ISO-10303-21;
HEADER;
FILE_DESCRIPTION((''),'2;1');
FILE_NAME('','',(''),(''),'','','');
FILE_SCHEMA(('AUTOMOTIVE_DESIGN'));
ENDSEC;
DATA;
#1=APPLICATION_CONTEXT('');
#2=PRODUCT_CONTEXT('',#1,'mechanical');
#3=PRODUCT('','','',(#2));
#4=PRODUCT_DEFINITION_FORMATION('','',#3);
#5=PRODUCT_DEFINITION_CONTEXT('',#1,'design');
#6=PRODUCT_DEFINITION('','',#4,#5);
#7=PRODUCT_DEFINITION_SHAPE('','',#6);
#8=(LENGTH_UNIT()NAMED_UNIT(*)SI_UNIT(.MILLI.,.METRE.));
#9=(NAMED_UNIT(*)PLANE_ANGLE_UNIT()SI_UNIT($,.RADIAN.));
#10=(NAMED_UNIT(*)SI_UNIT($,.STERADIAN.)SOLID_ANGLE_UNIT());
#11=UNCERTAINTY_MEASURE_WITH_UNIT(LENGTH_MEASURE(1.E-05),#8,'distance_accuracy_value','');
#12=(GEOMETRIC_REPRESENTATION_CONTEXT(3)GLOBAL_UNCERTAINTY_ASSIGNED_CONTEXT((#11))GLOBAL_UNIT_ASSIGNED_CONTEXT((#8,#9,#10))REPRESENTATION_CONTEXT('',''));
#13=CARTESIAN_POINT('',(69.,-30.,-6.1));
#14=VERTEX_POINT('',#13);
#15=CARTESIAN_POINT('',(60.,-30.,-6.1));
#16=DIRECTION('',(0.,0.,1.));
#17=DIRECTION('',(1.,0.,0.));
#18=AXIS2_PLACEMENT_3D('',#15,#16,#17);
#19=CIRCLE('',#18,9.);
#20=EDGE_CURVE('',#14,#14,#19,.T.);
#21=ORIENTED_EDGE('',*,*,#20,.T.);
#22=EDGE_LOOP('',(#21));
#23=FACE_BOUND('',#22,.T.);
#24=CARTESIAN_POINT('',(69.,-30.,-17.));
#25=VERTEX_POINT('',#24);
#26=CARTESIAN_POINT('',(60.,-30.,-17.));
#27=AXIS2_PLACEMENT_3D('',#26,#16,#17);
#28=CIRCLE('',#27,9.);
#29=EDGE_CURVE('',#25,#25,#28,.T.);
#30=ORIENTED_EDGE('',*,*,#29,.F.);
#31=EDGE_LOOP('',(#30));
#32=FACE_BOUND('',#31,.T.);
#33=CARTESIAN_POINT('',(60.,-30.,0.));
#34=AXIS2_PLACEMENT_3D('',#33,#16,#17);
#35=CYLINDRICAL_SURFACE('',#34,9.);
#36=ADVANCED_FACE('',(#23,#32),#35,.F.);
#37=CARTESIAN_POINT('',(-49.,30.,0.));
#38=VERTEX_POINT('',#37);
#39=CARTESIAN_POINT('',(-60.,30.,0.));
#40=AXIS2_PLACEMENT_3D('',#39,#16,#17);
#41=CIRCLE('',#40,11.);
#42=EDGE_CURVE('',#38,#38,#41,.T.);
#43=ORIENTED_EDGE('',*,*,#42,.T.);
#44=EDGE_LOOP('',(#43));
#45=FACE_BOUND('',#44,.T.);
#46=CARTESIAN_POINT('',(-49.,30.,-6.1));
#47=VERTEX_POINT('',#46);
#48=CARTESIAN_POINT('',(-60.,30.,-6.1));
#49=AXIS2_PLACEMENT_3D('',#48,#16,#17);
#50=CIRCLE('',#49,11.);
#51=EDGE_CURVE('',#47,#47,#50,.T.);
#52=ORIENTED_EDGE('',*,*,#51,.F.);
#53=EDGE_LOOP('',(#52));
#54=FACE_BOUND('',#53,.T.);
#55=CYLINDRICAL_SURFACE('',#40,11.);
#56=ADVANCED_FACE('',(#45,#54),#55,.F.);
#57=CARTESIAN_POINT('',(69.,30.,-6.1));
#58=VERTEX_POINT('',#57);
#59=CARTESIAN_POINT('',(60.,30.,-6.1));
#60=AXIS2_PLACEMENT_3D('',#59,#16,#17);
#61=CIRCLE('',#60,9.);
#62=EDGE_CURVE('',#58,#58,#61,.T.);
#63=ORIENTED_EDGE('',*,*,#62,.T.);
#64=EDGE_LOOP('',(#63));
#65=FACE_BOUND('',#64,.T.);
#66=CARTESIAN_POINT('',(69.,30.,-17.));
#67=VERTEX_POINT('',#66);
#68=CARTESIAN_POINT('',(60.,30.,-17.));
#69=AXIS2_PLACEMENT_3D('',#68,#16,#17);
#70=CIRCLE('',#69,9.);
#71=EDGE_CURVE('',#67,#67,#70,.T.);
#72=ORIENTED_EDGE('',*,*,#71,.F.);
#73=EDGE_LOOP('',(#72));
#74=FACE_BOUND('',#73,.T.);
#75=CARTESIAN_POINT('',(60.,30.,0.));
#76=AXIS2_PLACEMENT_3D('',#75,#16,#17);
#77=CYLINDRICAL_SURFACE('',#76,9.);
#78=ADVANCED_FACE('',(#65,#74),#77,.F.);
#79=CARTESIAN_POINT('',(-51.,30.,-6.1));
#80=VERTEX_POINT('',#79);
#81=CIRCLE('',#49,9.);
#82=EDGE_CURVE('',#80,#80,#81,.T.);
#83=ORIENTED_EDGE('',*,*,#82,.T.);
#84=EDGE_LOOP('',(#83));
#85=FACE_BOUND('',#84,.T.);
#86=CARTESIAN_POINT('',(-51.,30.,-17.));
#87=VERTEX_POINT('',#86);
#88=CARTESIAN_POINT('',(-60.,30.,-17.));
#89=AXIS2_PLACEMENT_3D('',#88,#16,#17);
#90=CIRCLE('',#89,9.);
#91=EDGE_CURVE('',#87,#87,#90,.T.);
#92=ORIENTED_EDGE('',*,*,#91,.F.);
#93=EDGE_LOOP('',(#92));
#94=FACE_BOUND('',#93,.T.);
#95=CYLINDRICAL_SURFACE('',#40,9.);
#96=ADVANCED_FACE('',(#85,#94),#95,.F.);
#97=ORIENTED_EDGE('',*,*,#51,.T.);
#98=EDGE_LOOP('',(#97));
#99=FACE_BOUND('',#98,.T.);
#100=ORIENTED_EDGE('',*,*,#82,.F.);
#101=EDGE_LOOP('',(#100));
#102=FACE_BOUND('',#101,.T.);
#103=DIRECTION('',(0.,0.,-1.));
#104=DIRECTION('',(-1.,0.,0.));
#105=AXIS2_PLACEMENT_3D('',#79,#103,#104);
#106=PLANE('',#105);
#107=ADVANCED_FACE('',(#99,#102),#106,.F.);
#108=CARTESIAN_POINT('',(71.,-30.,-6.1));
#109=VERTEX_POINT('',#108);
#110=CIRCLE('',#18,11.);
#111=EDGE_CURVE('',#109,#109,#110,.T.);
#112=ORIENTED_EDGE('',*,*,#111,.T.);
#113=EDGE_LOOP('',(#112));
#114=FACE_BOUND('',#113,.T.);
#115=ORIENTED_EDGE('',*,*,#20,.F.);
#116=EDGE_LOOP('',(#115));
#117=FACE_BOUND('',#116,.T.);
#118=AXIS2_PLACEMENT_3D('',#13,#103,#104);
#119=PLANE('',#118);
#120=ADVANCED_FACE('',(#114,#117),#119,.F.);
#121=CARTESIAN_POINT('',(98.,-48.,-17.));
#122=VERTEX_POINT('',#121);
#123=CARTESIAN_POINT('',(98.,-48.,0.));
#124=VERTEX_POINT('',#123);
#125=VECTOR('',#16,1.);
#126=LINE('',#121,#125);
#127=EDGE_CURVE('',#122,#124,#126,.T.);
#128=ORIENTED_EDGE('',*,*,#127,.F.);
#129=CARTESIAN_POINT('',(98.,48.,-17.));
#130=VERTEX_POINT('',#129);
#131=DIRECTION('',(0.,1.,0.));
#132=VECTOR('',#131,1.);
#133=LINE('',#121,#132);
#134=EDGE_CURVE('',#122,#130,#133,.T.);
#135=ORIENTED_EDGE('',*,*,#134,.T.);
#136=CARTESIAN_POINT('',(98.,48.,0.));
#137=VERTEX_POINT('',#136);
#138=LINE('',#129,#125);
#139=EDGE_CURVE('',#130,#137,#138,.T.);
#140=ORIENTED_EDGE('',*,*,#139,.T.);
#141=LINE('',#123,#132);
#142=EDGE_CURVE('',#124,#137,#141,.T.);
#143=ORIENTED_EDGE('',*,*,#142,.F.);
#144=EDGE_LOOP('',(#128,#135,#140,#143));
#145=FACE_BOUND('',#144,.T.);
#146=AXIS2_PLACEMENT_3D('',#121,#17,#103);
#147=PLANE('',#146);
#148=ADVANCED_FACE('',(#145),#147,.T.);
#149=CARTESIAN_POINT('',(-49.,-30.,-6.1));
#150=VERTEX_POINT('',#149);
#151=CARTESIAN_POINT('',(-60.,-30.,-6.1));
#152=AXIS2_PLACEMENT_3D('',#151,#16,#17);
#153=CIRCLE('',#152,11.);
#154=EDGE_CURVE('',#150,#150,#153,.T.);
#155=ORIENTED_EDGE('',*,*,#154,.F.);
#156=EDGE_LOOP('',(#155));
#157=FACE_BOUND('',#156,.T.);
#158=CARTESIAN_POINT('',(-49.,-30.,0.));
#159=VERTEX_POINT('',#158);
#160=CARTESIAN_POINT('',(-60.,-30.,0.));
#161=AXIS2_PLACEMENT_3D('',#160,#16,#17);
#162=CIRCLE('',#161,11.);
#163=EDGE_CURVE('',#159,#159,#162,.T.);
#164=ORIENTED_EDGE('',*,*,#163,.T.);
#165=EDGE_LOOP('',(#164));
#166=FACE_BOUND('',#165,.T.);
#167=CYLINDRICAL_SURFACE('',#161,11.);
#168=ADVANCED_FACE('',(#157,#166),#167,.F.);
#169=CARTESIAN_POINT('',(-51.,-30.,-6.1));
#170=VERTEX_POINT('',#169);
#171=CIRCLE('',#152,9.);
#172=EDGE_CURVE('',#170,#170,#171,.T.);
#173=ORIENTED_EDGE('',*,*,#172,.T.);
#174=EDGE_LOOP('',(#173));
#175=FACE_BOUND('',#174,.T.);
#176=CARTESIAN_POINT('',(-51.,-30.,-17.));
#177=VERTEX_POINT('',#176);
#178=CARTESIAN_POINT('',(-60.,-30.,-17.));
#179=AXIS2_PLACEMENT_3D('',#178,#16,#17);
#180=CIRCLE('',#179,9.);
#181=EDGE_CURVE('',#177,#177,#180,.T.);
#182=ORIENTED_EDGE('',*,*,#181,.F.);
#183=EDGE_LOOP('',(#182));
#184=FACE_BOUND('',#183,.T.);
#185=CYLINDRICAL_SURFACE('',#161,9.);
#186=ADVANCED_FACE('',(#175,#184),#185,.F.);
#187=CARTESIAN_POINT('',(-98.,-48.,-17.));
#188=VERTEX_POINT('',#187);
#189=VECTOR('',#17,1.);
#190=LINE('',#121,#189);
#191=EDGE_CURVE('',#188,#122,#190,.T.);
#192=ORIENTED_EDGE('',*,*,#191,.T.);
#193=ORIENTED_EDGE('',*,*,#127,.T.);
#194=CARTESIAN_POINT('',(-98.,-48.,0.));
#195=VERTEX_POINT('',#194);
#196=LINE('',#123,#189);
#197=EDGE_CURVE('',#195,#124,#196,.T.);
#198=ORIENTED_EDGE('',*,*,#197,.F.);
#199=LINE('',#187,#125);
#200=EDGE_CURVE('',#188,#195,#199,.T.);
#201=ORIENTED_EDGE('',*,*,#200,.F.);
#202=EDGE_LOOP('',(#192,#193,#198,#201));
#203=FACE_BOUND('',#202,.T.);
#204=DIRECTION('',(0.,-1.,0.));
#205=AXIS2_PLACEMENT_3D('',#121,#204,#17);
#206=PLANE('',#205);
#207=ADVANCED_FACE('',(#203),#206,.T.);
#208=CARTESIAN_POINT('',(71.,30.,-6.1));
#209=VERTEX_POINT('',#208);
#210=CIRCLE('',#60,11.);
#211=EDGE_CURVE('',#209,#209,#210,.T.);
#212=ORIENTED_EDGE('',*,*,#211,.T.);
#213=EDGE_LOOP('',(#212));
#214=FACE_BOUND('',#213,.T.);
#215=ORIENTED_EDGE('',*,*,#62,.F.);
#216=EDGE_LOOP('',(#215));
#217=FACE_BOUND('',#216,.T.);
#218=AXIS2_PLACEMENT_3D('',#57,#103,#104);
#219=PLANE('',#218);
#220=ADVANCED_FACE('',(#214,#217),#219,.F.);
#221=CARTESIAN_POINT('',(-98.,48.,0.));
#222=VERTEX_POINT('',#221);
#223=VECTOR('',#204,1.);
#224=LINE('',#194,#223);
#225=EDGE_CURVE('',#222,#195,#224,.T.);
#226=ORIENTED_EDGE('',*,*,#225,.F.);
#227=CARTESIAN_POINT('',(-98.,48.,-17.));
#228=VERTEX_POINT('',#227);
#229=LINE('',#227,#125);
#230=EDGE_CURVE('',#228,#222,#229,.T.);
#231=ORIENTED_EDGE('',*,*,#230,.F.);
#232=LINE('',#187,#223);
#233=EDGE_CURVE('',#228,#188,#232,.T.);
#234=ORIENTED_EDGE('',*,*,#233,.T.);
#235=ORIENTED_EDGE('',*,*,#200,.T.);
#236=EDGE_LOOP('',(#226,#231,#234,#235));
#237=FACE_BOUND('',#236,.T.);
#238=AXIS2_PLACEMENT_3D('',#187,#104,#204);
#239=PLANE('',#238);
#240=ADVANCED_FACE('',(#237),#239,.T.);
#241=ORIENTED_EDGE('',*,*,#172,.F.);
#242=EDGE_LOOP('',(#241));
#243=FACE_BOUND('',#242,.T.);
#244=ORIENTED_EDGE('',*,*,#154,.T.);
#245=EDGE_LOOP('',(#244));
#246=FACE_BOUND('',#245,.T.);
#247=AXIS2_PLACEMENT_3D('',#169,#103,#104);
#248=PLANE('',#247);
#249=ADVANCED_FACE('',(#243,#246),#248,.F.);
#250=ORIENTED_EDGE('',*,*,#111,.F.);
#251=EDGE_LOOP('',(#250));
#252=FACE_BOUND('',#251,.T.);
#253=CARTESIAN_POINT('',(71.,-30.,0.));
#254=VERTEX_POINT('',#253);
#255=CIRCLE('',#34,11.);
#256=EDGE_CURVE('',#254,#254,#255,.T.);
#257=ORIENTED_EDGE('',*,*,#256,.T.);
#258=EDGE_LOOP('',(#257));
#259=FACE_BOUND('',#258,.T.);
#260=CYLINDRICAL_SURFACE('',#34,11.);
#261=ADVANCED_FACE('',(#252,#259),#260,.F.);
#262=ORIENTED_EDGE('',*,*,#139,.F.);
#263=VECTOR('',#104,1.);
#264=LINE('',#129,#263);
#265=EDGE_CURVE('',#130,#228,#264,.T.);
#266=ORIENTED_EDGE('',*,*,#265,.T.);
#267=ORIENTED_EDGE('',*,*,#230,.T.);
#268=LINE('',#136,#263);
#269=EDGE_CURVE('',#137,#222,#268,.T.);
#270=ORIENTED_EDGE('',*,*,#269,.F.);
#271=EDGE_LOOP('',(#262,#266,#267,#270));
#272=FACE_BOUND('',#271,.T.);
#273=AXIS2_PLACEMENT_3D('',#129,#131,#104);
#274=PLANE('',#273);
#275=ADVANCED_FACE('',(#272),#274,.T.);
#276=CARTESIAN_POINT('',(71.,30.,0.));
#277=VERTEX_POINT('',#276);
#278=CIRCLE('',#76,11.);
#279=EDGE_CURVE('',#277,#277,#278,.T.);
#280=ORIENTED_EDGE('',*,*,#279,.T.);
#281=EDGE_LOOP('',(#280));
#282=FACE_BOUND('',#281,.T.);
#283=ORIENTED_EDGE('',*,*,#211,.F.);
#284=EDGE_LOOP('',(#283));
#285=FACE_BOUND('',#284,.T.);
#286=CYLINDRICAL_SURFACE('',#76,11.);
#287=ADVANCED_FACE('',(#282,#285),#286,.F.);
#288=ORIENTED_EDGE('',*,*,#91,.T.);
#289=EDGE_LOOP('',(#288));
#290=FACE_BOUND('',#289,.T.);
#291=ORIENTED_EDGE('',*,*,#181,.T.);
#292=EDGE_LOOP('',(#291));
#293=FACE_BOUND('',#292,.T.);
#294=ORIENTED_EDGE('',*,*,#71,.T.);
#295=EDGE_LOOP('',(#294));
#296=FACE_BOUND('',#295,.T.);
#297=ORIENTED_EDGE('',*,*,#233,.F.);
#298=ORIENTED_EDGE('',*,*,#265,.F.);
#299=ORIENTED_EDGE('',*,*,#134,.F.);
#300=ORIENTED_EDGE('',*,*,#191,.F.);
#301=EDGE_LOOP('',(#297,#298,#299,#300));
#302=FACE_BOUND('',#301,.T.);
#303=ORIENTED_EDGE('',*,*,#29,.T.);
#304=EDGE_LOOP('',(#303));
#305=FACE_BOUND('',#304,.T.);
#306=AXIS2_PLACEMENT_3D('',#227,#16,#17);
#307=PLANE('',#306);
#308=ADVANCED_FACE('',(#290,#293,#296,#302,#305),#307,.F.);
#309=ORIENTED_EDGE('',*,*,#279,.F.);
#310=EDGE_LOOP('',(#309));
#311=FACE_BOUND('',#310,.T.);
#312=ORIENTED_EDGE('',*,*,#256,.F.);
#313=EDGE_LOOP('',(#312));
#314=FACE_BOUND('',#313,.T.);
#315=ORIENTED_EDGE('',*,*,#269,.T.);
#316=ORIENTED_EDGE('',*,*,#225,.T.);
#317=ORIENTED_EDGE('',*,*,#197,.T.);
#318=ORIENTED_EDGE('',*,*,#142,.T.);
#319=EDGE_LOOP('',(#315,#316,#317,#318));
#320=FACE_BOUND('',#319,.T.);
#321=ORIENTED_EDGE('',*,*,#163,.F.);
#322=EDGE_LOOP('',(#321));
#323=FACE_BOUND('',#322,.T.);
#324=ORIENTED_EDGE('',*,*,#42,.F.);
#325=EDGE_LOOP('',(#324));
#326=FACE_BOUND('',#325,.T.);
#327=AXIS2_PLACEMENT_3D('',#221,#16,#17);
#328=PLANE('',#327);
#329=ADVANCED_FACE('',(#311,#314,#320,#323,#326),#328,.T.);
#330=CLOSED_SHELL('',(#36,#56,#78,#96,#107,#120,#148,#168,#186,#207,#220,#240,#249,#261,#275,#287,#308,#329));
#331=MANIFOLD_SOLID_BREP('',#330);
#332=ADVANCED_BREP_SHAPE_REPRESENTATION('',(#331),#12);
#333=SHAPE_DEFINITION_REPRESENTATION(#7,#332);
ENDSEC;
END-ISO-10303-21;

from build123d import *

# Parameters (mm, degrees)
SKETCH1_W                                           = 196
SKETCH1_H                                           = 96
EXTRUDE1_DEPTH                                      = 17
CBORE_FOR_14_MM_LOCATING_GUIDE_BUSHING1_D           = 18
CBORE_FOR_14_MM_LOCATING_GUIDE_BUSHING1_CBORE_D     = 22
CBORE_FOR_14_MM_LOCATING_GUIDE_BUSHING1_CBORE_DEPTH = 6.1


with BuildPart() as part:
    # Sketch1 → Extrude1 (new body)
    with BuildSketch(Plane.XY):
        Rectangle(SKETCH1_W, SKETCH1_H)
    extrude(amount=-EXTRUDE1_DEPTH)

    # CBORE for 14 mm Locating Guide Bushing1 (through all)
    with Locations(Plane(origin=(49.246098405, -1.095802974, 0), x_dir=(-1, 0, 0), z_dir=(0, 0, 1))):
        with Locations((-10.753901595, -31.095802974), (109.246098405, -31.095802974), (109.246098405, 28.904197026), (-10.753901595, 28.904197026)):
            CounterBoreHole(CBORE_FOR_14_MM_LOCATING_GUIDE_BUSHING1_D / 2, CBORE_FOR_14_MM_LOCATING_GUIDE_BUSHING1_CBORE_D / 2, CBORE_FOR_14_MM_LOCATING_GUIDE_BUSHING1_CBORE_DEPTH)


solid = part.part
